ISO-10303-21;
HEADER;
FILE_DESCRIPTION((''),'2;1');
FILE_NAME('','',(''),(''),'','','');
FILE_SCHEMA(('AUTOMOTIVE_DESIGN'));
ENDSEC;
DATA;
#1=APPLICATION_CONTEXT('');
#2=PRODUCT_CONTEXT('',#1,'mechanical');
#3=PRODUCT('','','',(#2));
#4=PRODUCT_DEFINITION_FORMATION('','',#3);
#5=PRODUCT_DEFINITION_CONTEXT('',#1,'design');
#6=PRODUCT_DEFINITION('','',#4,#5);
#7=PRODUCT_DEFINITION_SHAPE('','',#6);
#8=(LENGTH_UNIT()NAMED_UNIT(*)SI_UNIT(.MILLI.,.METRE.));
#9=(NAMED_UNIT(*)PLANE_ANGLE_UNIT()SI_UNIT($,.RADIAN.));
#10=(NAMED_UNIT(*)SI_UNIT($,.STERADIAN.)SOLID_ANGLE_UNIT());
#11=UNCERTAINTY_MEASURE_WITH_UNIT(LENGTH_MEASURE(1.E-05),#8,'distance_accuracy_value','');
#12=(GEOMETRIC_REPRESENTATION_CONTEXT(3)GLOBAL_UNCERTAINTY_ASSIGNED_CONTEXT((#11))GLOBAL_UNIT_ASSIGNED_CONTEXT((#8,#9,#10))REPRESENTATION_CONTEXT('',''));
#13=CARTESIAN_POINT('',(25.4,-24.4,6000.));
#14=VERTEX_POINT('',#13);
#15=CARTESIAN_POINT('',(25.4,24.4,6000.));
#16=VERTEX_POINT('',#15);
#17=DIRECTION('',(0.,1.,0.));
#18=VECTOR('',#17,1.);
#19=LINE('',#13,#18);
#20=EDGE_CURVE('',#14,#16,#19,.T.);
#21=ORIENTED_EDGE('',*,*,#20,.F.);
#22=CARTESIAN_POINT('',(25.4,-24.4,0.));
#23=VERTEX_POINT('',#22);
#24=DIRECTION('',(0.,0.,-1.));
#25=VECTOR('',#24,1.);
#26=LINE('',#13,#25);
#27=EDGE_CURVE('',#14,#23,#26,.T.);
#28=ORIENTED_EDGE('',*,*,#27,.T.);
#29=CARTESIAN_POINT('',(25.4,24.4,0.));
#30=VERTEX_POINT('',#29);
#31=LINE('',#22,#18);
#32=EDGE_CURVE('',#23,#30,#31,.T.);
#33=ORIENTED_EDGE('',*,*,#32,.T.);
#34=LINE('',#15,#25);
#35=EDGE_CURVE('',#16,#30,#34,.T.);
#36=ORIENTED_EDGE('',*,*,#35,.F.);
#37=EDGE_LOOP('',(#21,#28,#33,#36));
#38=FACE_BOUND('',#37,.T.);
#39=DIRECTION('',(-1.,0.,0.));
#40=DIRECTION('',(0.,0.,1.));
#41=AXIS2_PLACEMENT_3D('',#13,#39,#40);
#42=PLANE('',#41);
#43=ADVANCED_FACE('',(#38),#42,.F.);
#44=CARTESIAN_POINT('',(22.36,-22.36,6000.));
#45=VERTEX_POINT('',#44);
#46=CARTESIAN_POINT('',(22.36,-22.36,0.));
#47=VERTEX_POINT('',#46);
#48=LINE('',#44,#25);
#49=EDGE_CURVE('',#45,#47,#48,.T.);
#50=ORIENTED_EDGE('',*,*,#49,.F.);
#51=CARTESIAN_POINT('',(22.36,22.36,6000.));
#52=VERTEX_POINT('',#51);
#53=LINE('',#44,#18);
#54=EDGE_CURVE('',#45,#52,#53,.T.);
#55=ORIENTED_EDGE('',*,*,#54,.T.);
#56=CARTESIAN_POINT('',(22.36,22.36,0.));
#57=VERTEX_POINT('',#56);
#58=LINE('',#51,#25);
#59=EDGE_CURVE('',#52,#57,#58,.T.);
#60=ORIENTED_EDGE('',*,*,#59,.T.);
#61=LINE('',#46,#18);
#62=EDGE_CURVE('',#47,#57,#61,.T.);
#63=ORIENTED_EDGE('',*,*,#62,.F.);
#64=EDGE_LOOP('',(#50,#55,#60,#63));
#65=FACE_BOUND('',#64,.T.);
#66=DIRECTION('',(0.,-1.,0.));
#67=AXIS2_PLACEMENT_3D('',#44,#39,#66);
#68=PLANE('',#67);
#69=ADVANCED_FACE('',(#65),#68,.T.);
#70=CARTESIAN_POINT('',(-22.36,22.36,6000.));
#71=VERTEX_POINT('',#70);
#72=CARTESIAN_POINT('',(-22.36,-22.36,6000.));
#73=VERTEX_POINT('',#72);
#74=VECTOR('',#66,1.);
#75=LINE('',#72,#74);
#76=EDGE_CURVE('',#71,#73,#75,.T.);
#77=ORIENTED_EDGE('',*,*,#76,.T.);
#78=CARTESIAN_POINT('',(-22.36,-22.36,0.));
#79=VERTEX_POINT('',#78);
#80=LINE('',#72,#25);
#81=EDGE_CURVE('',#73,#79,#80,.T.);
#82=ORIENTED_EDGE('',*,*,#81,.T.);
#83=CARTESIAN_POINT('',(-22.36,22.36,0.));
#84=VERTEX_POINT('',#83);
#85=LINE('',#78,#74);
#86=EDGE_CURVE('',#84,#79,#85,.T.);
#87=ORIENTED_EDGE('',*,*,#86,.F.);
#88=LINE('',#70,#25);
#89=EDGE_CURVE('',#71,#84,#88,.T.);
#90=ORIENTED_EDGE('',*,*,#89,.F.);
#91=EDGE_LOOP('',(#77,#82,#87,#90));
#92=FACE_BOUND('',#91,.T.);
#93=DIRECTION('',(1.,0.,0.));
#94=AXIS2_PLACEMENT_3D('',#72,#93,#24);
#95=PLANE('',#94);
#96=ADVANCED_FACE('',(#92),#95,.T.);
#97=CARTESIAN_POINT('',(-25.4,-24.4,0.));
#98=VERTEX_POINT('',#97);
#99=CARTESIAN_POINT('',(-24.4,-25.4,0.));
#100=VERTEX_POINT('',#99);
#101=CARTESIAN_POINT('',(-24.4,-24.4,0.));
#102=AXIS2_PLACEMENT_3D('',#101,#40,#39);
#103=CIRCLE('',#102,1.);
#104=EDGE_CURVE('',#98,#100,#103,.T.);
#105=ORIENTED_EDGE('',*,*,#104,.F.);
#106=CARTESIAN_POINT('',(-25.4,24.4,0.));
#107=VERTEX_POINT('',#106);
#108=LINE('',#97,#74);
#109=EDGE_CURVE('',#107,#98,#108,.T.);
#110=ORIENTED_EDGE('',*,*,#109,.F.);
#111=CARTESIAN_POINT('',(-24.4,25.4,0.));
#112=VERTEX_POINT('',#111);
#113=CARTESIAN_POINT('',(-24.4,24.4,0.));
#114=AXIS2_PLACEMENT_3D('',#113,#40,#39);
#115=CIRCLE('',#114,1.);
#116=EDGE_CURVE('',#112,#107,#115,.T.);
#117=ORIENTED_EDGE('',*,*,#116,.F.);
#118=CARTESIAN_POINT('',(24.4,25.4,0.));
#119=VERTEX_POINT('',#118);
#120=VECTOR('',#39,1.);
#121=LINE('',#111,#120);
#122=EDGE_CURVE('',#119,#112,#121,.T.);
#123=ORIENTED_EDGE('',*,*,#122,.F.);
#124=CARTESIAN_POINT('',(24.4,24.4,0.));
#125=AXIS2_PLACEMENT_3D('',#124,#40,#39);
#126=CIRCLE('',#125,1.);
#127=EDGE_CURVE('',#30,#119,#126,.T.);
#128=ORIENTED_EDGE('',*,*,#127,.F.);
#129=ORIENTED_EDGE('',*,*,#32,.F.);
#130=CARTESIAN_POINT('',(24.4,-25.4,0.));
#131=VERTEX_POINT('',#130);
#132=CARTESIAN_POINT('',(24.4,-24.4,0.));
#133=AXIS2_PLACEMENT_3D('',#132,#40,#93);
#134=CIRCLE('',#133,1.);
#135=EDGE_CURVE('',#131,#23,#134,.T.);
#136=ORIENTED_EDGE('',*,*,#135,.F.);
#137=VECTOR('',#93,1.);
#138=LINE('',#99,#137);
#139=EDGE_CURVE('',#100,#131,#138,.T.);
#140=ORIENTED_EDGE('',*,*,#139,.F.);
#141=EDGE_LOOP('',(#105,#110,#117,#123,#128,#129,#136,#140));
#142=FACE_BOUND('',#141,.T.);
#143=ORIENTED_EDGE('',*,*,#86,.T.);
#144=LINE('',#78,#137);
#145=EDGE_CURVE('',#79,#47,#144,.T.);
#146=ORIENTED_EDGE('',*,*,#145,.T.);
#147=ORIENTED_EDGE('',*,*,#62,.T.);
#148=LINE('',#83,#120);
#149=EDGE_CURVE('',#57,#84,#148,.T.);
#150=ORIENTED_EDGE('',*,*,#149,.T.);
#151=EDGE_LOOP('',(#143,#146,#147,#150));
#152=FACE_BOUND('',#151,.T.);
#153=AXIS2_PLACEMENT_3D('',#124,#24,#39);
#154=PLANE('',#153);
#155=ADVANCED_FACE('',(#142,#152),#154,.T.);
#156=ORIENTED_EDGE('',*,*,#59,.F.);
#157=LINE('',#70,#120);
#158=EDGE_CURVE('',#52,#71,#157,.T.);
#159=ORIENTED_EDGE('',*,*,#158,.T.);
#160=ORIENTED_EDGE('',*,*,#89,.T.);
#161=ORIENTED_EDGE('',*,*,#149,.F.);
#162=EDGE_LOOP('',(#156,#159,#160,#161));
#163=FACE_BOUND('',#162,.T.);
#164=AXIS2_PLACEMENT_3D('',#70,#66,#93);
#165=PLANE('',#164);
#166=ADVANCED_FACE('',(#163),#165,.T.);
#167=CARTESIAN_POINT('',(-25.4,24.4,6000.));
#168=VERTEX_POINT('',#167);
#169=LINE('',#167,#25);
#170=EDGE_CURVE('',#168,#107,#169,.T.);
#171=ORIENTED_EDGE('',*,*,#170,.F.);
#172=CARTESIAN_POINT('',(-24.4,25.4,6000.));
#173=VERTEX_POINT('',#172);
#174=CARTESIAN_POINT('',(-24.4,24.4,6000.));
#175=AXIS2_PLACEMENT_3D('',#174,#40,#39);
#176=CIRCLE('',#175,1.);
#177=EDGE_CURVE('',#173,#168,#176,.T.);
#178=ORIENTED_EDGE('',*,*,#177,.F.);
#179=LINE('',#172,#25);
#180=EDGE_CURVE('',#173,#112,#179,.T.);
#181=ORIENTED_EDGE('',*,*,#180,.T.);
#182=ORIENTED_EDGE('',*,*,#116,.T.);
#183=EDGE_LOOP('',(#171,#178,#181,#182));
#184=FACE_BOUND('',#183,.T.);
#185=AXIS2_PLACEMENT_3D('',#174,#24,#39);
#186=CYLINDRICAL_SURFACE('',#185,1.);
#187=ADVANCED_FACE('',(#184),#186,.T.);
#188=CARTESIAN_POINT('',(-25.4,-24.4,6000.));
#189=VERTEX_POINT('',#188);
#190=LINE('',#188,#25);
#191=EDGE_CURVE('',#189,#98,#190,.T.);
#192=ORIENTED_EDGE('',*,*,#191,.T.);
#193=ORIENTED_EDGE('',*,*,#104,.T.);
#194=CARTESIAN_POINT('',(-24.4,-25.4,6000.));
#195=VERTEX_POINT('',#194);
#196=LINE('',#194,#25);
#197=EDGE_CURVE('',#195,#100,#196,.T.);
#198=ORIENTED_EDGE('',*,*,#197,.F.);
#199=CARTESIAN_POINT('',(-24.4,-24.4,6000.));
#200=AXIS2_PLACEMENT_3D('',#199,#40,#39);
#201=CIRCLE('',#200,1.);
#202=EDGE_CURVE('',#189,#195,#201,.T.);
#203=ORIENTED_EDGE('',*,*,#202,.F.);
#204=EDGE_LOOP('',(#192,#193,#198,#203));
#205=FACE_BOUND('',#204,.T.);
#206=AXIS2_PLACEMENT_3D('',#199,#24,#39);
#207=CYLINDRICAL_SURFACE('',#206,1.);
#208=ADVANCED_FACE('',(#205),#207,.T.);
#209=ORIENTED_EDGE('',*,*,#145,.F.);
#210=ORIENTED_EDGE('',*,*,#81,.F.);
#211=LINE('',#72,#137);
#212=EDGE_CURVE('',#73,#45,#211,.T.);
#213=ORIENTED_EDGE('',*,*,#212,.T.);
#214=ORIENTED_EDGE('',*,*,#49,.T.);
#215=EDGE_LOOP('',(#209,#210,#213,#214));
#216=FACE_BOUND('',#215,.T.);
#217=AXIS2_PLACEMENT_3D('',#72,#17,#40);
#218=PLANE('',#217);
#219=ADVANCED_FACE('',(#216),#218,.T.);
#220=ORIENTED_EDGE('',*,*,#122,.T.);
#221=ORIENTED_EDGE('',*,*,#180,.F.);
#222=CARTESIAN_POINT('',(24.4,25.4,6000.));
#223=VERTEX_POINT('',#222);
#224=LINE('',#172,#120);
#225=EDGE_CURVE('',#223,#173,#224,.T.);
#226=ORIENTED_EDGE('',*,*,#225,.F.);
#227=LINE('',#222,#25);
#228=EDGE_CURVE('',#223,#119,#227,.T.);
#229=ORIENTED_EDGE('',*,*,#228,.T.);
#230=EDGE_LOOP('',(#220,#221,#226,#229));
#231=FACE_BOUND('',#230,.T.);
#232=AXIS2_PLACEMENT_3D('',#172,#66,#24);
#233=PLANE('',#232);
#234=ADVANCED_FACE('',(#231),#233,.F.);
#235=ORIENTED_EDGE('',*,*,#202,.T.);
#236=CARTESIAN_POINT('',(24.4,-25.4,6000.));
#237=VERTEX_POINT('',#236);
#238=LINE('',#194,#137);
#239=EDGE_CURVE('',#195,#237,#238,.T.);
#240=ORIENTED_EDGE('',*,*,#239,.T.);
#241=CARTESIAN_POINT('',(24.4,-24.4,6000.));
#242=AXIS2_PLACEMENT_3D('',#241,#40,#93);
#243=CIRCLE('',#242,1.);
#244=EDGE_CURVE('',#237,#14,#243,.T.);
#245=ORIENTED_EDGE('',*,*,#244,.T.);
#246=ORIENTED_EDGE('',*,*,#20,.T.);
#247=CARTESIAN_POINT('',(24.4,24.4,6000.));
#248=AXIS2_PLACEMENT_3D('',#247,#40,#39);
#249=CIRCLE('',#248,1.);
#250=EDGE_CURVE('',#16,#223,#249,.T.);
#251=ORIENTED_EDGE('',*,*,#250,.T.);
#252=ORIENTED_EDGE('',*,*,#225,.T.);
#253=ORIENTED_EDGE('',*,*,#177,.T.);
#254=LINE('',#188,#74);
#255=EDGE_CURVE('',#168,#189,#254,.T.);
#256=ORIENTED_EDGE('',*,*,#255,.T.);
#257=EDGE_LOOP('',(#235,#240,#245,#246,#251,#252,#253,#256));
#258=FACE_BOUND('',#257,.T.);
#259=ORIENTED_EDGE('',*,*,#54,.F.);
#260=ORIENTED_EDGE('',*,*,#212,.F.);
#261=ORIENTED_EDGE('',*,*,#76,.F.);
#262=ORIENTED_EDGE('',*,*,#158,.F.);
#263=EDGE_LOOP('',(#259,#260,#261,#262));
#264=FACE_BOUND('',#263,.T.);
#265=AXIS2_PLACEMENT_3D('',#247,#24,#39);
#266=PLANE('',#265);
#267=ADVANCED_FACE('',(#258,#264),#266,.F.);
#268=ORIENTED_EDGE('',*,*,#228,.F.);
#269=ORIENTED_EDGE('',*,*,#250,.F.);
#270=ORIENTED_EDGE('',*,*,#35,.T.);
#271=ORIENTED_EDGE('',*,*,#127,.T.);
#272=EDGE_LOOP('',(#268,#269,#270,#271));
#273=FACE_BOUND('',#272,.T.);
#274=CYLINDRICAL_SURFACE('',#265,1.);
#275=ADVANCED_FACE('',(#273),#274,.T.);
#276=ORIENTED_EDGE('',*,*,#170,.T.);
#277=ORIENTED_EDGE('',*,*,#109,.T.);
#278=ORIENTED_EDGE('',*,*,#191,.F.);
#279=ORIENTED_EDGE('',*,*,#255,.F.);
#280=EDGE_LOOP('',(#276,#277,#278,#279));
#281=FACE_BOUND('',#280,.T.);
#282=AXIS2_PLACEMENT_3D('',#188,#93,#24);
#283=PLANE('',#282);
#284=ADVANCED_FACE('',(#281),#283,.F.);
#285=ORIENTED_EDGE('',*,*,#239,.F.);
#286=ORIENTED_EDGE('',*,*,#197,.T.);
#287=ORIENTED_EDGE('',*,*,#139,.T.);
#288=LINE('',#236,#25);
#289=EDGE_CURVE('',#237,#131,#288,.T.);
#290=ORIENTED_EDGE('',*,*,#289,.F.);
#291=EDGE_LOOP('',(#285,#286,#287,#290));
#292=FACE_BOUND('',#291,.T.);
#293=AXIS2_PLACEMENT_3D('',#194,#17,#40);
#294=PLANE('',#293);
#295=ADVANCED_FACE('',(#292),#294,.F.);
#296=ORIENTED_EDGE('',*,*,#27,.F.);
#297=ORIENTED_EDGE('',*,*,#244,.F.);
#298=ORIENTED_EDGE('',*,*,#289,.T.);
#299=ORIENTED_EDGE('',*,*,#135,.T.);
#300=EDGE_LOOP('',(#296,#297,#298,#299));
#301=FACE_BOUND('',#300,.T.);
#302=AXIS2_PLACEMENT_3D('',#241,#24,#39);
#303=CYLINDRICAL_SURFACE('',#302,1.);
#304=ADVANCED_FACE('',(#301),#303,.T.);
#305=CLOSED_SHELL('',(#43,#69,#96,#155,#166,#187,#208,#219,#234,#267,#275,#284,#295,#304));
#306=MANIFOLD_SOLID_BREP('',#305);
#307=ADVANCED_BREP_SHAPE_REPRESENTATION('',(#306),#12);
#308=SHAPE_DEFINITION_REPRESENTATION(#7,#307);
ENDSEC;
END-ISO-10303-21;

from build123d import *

# Parameters (mm, degrees)
CROQUIS1_W              = 44.72
CROQUIS1_H              = 44.72
SALIENTE_EXTRUIR1_DEPTH = 6000


with BuildPart() as part:
    # Croquis1 → Saliente-Extruir1 (new body)
    with BuildSketch(Plane.XY):
        with BuildLine():
            Line((-24.4, -25.4), (24.4, -25.4))
            ThreePointArc((24.4, -25.4), (25.107106781, -25.107106781), (25.4, -24.4))
            Line((25.4, -24.4), (25.4, 24.4))
            ThreePointArc((25.4, 24.4), (25.107106781, 25.107106781), (24.4, 25.4))
            Line((24.4, 25.4), (-24.4, 25.4))
            ThreePointArc((-24.4, 25.4), (-25.107106781, 25.107106781), (-25.4, 24.4))
            Line((-25.4, 24.4), (-25.4, -24.4))
            ThreePointArc((-25.4, -24.4), (-25.107106781, -25.107106781), (-24.4, -25.4))
        make_face()
        Rectangle(CROQUIS1_W, CROQUIS1_H, mode=Mode.SUBTRACT)
    extrude(amount=SALIENTE_EXTRUIR1_DEPTH)


solid = part.part
